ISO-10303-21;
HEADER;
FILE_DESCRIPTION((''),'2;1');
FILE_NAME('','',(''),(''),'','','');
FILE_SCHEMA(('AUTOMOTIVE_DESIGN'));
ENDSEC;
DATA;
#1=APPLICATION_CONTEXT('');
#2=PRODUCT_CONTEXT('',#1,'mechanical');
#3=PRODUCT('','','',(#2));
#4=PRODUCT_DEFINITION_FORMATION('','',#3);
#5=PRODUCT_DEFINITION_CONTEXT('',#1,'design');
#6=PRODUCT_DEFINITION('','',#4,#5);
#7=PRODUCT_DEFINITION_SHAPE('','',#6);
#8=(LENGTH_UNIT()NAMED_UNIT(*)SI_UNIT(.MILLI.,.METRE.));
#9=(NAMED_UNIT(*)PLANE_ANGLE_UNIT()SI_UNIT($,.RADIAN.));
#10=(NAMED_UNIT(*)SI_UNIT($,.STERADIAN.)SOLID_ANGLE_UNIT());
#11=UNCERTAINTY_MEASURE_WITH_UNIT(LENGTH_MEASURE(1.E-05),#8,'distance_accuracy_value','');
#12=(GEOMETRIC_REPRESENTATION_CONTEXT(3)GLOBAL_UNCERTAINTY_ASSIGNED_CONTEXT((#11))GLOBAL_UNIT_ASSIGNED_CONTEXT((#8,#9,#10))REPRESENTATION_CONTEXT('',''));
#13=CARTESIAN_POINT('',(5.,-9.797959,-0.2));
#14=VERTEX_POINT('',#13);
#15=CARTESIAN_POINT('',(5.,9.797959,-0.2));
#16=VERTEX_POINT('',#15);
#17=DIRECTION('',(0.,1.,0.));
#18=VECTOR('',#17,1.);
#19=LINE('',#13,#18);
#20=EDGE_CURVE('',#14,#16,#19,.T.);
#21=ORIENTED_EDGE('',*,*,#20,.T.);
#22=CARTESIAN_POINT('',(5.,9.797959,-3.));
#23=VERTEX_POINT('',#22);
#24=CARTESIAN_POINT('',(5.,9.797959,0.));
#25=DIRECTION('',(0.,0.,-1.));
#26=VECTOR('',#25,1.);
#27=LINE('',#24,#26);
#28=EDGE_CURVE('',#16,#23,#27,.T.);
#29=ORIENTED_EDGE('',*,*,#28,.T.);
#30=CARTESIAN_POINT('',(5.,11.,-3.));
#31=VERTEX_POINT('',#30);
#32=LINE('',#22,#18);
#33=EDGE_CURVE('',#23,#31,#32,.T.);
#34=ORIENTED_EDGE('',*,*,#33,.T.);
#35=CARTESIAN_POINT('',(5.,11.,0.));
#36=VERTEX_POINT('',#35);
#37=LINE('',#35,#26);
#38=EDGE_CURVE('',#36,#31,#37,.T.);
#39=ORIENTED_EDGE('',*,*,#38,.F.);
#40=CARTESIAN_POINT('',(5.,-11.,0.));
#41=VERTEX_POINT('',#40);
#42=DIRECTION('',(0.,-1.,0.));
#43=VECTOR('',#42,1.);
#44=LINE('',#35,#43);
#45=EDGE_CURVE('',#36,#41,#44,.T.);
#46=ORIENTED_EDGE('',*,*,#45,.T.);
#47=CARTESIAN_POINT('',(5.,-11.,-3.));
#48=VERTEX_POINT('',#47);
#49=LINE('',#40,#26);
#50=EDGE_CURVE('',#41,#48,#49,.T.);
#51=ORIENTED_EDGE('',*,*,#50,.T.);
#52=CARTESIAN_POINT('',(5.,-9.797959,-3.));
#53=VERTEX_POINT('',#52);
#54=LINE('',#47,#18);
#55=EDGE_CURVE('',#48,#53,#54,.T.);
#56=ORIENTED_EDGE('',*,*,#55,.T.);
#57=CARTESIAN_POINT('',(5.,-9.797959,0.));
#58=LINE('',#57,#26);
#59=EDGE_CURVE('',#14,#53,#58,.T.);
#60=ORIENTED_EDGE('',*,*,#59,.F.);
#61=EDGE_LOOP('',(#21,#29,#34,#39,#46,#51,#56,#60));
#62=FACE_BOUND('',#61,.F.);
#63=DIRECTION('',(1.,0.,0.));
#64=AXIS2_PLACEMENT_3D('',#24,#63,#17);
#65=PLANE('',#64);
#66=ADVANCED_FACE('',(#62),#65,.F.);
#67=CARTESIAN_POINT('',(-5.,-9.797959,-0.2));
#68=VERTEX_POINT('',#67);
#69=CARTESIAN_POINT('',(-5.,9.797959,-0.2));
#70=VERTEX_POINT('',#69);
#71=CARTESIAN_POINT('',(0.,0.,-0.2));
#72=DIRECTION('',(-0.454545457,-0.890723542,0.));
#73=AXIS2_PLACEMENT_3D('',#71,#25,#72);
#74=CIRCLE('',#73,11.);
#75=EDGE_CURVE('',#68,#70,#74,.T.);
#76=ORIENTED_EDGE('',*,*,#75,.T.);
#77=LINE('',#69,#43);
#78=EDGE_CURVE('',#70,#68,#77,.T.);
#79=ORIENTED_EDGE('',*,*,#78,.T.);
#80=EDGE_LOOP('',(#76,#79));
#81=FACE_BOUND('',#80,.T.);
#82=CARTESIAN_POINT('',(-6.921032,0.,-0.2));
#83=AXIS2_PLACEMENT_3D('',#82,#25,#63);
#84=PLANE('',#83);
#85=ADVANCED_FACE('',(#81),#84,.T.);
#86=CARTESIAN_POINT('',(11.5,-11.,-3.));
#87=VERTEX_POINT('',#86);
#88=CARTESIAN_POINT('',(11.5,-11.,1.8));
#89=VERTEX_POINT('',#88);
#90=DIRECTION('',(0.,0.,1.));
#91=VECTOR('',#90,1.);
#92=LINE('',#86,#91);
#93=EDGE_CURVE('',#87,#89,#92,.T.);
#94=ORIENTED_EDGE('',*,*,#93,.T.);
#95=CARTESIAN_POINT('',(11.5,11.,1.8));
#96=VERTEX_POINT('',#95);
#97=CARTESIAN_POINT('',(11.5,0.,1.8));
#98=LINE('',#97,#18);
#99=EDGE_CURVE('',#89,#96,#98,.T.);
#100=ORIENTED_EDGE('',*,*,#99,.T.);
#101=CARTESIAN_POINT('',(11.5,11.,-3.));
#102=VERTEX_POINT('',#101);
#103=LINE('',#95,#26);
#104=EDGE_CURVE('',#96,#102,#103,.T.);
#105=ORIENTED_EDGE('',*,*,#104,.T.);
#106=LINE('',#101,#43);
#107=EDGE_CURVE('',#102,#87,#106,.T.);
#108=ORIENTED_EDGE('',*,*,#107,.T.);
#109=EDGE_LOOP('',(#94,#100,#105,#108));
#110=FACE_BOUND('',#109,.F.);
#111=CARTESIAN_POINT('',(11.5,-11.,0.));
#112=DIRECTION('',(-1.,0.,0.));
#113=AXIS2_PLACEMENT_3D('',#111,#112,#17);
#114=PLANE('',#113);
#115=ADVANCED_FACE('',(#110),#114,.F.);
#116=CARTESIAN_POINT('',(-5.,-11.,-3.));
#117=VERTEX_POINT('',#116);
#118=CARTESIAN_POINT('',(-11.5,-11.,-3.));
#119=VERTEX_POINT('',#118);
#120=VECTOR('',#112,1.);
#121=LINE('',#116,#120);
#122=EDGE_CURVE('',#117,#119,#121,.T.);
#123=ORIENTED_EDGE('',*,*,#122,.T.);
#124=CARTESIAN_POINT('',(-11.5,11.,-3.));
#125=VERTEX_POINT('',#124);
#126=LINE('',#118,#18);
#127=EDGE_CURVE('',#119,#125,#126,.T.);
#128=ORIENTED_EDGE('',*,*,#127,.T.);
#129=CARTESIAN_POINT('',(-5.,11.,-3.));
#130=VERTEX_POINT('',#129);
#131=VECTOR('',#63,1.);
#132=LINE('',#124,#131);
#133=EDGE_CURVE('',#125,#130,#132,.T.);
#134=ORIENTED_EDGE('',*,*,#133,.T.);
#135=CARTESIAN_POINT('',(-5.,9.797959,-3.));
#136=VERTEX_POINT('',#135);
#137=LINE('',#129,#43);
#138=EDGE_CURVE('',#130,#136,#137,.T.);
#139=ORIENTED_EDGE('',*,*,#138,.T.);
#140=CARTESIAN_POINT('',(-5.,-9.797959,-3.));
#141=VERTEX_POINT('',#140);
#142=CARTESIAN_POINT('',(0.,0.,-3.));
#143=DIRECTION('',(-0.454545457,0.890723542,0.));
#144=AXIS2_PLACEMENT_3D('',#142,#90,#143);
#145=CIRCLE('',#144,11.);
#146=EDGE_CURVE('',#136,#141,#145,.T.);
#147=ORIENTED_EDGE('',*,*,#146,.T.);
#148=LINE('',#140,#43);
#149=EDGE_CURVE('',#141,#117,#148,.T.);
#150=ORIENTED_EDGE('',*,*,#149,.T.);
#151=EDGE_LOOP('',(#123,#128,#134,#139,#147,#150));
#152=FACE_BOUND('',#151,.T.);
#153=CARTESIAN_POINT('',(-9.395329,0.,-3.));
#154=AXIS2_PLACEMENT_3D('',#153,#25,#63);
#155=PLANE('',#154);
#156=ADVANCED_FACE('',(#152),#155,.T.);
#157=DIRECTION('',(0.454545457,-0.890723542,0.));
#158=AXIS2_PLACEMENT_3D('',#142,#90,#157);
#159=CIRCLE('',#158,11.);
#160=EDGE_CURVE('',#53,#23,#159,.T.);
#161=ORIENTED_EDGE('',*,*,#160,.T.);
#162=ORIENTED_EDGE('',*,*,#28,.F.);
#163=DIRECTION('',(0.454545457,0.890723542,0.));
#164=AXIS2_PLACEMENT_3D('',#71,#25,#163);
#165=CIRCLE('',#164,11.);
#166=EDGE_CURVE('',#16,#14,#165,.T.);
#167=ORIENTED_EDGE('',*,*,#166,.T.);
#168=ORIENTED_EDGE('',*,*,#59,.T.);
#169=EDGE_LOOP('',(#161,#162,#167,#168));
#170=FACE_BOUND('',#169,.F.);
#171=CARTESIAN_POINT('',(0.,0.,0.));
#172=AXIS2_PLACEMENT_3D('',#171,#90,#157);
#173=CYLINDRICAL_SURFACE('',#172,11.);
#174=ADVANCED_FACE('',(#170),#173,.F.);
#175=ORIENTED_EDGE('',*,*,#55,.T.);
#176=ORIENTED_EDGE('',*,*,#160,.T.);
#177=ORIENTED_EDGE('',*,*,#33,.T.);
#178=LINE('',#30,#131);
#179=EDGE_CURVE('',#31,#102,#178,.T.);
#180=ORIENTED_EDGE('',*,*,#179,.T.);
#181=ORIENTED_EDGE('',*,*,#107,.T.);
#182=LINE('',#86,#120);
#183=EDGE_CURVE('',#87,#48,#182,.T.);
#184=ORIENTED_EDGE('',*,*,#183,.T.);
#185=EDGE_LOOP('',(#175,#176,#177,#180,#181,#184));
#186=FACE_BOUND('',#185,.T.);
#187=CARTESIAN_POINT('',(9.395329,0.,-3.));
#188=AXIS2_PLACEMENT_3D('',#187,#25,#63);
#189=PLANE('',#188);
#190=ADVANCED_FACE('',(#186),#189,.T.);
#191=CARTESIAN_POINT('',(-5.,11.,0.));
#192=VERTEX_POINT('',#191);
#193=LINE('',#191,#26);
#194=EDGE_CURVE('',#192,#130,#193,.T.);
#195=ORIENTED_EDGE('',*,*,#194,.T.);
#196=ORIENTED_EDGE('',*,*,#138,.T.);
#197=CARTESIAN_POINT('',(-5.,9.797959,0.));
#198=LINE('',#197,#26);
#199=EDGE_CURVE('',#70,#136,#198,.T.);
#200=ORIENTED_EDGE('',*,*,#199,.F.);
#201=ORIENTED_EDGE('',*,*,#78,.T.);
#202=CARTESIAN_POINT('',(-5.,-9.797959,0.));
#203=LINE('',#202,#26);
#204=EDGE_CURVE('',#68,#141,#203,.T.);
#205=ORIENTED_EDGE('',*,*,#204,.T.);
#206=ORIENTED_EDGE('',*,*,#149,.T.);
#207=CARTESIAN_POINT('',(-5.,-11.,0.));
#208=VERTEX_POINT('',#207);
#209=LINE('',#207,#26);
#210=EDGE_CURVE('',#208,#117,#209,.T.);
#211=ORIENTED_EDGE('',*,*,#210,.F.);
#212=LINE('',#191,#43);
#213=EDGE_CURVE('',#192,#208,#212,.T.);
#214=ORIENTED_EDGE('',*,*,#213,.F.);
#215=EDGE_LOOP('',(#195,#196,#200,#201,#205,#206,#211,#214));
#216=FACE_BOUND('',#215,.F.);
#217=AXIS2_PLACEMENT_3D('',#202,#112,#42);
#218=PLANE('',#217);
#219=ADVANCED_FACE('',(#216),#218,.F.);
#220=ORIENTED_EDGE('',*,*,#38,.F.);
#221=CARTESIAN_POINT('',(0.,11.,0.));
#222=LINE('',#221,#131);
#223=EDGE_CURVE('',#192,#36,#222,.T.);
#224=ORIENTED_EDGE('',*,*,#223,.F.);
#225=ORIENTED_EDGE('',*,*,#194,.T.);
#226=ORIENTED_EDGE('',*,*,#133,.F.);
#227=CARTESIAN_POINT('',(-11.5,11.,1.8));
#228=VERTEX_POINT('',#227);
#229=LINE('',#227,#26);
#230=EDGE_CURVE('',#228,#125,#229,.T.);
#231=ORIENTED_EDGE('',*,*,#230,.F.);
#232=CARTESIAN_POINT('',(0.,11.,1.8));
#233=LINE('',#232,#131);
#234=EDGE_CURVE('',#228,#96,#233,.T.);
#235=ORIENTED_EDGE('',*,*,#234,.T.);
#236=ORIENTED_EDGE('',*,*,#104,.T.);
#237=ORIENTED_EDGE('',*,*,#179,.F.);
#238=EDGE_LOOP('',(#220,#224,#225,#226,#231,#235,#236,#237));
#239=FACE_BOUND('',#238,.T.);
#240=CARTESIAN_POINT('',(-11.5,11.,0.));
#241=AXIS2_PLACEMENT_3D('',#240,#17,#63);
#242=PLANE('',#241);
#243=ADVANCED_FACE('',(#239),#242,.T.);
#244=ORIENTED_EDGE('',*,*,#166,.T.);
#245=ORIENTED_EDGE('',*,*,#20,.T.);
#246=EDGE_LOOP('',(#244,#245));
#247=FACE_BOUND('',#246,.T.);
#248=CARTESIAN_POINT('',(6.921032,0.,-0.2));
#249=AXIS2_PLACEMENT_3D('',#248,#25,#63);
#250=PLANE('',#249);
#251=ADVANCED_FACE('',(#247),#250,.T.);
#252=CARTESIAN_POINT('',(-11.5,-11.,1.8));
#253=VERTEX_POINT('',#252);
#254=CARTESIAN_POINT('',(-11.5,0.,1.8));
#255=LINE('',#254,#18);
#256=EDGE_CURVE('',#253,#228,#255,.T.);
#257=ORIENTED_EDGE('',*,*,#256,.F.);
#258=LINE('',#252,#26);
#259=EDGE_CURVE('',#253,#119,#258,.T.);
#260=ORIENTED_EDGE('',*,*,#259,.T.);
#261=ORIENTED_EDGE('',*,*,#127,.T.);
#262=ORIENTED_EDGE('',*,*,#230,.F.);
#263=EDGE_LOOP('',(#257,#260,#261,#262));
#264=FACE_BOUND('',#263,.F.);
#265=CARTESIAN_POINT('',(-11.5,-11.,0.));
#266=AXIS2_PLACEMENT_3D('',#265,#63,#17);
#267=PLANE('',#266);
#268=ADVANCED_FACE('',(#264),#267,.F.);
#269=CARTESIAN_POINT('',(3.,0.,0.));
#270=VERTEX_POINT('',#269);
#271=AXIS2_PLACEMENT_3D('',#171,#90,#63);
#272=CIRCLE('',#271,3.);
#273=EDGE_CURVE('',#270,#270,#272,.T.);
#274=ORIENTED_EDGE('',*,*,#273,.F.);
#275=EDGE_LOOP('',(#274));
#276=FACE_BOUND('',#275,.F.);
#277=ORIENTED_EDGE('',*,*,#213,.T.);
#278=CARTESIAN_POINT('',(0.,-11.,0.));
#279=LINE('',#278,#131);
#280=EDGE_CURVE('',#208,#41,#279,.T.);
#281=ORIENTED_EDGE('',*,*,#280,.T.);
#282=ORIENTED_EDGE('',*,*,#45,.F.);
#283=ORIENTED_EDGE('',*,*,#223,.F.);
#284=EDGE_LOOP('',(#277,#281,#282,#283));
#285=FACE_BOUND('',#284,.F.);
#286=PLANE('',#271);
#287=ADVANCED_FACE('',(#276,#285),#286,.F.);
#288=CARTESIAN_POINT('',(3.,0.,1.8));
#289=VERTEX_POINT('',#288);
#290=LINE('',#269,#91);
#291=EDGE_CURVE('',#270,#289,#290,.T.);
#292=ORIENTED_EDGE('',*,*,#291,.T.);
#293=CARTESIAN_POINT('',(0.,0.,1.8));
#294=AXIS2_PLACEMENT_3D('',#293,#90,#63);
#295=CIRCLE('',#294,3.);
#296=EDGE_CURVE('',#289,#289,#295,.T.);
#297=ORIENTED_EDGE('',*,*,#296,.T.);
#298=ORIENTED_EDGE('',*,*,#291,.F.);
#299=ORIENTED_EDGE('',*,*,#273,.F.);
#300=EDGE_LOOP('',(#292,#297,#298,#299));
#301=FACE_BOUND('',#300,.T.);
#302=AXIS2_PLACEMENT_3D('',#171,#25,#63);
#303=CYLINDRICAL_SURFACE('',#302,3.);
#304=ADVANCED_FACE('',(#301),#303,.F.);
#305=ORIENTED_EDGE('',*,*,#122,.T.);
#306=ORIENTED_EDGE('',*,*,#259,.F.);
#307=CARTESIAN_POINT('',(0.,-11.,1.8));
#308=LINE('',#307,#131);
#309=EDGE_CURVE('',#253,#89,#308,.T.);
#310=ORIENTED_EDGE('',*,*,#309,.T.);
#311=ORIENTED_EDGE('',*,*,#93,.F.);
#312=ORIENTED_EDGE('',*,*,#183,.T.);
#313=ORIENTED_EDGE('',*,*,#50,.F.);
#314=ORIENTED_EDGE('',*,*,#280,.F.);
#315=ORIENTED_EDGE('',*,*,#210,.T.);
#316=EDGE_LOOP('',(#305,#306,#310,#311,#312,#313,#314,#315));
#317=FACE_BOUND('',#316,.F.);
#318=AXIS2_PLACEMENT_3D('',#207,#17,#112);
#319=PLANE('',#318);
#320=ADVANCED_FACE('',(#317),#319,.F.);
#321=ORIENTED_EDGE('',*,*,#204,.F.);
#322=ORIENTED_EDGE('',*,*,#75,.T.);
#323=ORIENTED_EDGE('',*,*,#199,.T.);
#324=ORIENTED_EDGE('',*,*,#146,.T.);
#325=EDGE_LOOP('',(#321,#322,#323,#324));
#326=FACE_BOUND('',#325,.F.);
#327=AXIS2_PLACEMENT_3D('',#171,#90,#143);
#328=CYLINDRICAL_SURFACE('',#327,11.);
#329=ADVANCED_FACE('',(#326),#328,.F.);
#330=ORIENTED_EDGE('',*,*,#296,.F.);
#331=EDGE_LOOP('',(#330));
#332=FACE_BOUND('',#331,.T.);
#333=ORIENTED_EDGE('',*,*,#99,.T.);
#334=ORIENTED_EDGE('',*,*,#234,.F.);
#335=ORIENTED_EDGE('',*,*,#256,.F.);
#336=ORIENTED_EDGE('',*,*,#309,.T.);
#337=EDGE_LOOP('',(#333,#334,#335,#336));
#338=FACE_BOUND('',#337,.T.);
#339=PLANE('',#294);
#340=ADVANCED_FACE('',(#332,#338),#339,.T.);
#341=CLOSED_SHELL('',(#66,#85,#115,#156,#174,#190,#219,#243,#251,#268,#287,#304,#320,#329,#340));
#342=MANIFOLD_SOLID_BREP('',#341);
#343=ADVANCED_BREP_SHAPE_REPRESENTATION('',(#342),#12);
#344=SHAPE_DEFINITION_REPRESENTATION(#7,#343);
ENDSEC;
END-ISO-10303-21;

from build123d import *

# Parameters (mm, degrees)
F0_W     = 23
F0_H     = 22
F0_R     = 3
F1_DEPTH = 1.8
F3_DEPTH = 0.2
F4_DEPTH = 3


with BuildPart() as f1:
    # F0 (on Top) → F1 (new body)
    with BuildSketch(Plane.XY):
        Rectangle(F0_W, F0_H)
        Circle(F0_R, mode=Mode.SUBTRACT)
    extrude(amount=F1_DEPTH)

    # F2 (on face) → F3 (join)
    with BuildSketch(Plane(origin=(0, 0, 0), x_dir=(1, 0, 0), z_dir=(0, 0, -1))):
        with BuildLine():
            Line((-5, -9.797959), (-5, 9.797959))
            ThreePointArc((-5, 9.797959), (-11, 0), (-5, -9.797959))
        make_face()
        with BuildLine():
            ThreePointArc((5, -9.797959), (11, 0), (5, 9.797959))
            Line((5, 9.797959), (5, -9.797959))
        make_face()
    extrude(amount=F3_DEPTH)

    # F2 (on face) → F4 (join)
    with BuildSketch(Plane(origin=(0, 0, 0), x_dir=(1, 0, 0), z_dir=(0, 0, -1))):
        with BuildLine():
            Line((-5, 9.797959), (-5, 11))
            Line((-5, 11), (-11.5, 11))
            Line((-11.5, 11), (-11.5, -11))
            Line((-11.5, -11), (-5, -11))
            Line((-5, -11), (-5, -9.797959))
            ThreePointArc((-5, -9.797959), (-11, 0), (-5, 9.797959))
        make_face()
        with BuildLine():
            Line((11.5, 11), (5, 11))
            Line((5, 11), (5, 9.797959))
            ThreePointArc((5, 9.797959), (11, 0), (5, -9.797959))
            Line((5, -9.797959), (5, -11))
            Line((5, -11), (11.5, -11))
            Line((11.5, -11), (11.5, 11))
        make_face()
    extrude(amount=F4_DEPTH)


solid = f1.part
